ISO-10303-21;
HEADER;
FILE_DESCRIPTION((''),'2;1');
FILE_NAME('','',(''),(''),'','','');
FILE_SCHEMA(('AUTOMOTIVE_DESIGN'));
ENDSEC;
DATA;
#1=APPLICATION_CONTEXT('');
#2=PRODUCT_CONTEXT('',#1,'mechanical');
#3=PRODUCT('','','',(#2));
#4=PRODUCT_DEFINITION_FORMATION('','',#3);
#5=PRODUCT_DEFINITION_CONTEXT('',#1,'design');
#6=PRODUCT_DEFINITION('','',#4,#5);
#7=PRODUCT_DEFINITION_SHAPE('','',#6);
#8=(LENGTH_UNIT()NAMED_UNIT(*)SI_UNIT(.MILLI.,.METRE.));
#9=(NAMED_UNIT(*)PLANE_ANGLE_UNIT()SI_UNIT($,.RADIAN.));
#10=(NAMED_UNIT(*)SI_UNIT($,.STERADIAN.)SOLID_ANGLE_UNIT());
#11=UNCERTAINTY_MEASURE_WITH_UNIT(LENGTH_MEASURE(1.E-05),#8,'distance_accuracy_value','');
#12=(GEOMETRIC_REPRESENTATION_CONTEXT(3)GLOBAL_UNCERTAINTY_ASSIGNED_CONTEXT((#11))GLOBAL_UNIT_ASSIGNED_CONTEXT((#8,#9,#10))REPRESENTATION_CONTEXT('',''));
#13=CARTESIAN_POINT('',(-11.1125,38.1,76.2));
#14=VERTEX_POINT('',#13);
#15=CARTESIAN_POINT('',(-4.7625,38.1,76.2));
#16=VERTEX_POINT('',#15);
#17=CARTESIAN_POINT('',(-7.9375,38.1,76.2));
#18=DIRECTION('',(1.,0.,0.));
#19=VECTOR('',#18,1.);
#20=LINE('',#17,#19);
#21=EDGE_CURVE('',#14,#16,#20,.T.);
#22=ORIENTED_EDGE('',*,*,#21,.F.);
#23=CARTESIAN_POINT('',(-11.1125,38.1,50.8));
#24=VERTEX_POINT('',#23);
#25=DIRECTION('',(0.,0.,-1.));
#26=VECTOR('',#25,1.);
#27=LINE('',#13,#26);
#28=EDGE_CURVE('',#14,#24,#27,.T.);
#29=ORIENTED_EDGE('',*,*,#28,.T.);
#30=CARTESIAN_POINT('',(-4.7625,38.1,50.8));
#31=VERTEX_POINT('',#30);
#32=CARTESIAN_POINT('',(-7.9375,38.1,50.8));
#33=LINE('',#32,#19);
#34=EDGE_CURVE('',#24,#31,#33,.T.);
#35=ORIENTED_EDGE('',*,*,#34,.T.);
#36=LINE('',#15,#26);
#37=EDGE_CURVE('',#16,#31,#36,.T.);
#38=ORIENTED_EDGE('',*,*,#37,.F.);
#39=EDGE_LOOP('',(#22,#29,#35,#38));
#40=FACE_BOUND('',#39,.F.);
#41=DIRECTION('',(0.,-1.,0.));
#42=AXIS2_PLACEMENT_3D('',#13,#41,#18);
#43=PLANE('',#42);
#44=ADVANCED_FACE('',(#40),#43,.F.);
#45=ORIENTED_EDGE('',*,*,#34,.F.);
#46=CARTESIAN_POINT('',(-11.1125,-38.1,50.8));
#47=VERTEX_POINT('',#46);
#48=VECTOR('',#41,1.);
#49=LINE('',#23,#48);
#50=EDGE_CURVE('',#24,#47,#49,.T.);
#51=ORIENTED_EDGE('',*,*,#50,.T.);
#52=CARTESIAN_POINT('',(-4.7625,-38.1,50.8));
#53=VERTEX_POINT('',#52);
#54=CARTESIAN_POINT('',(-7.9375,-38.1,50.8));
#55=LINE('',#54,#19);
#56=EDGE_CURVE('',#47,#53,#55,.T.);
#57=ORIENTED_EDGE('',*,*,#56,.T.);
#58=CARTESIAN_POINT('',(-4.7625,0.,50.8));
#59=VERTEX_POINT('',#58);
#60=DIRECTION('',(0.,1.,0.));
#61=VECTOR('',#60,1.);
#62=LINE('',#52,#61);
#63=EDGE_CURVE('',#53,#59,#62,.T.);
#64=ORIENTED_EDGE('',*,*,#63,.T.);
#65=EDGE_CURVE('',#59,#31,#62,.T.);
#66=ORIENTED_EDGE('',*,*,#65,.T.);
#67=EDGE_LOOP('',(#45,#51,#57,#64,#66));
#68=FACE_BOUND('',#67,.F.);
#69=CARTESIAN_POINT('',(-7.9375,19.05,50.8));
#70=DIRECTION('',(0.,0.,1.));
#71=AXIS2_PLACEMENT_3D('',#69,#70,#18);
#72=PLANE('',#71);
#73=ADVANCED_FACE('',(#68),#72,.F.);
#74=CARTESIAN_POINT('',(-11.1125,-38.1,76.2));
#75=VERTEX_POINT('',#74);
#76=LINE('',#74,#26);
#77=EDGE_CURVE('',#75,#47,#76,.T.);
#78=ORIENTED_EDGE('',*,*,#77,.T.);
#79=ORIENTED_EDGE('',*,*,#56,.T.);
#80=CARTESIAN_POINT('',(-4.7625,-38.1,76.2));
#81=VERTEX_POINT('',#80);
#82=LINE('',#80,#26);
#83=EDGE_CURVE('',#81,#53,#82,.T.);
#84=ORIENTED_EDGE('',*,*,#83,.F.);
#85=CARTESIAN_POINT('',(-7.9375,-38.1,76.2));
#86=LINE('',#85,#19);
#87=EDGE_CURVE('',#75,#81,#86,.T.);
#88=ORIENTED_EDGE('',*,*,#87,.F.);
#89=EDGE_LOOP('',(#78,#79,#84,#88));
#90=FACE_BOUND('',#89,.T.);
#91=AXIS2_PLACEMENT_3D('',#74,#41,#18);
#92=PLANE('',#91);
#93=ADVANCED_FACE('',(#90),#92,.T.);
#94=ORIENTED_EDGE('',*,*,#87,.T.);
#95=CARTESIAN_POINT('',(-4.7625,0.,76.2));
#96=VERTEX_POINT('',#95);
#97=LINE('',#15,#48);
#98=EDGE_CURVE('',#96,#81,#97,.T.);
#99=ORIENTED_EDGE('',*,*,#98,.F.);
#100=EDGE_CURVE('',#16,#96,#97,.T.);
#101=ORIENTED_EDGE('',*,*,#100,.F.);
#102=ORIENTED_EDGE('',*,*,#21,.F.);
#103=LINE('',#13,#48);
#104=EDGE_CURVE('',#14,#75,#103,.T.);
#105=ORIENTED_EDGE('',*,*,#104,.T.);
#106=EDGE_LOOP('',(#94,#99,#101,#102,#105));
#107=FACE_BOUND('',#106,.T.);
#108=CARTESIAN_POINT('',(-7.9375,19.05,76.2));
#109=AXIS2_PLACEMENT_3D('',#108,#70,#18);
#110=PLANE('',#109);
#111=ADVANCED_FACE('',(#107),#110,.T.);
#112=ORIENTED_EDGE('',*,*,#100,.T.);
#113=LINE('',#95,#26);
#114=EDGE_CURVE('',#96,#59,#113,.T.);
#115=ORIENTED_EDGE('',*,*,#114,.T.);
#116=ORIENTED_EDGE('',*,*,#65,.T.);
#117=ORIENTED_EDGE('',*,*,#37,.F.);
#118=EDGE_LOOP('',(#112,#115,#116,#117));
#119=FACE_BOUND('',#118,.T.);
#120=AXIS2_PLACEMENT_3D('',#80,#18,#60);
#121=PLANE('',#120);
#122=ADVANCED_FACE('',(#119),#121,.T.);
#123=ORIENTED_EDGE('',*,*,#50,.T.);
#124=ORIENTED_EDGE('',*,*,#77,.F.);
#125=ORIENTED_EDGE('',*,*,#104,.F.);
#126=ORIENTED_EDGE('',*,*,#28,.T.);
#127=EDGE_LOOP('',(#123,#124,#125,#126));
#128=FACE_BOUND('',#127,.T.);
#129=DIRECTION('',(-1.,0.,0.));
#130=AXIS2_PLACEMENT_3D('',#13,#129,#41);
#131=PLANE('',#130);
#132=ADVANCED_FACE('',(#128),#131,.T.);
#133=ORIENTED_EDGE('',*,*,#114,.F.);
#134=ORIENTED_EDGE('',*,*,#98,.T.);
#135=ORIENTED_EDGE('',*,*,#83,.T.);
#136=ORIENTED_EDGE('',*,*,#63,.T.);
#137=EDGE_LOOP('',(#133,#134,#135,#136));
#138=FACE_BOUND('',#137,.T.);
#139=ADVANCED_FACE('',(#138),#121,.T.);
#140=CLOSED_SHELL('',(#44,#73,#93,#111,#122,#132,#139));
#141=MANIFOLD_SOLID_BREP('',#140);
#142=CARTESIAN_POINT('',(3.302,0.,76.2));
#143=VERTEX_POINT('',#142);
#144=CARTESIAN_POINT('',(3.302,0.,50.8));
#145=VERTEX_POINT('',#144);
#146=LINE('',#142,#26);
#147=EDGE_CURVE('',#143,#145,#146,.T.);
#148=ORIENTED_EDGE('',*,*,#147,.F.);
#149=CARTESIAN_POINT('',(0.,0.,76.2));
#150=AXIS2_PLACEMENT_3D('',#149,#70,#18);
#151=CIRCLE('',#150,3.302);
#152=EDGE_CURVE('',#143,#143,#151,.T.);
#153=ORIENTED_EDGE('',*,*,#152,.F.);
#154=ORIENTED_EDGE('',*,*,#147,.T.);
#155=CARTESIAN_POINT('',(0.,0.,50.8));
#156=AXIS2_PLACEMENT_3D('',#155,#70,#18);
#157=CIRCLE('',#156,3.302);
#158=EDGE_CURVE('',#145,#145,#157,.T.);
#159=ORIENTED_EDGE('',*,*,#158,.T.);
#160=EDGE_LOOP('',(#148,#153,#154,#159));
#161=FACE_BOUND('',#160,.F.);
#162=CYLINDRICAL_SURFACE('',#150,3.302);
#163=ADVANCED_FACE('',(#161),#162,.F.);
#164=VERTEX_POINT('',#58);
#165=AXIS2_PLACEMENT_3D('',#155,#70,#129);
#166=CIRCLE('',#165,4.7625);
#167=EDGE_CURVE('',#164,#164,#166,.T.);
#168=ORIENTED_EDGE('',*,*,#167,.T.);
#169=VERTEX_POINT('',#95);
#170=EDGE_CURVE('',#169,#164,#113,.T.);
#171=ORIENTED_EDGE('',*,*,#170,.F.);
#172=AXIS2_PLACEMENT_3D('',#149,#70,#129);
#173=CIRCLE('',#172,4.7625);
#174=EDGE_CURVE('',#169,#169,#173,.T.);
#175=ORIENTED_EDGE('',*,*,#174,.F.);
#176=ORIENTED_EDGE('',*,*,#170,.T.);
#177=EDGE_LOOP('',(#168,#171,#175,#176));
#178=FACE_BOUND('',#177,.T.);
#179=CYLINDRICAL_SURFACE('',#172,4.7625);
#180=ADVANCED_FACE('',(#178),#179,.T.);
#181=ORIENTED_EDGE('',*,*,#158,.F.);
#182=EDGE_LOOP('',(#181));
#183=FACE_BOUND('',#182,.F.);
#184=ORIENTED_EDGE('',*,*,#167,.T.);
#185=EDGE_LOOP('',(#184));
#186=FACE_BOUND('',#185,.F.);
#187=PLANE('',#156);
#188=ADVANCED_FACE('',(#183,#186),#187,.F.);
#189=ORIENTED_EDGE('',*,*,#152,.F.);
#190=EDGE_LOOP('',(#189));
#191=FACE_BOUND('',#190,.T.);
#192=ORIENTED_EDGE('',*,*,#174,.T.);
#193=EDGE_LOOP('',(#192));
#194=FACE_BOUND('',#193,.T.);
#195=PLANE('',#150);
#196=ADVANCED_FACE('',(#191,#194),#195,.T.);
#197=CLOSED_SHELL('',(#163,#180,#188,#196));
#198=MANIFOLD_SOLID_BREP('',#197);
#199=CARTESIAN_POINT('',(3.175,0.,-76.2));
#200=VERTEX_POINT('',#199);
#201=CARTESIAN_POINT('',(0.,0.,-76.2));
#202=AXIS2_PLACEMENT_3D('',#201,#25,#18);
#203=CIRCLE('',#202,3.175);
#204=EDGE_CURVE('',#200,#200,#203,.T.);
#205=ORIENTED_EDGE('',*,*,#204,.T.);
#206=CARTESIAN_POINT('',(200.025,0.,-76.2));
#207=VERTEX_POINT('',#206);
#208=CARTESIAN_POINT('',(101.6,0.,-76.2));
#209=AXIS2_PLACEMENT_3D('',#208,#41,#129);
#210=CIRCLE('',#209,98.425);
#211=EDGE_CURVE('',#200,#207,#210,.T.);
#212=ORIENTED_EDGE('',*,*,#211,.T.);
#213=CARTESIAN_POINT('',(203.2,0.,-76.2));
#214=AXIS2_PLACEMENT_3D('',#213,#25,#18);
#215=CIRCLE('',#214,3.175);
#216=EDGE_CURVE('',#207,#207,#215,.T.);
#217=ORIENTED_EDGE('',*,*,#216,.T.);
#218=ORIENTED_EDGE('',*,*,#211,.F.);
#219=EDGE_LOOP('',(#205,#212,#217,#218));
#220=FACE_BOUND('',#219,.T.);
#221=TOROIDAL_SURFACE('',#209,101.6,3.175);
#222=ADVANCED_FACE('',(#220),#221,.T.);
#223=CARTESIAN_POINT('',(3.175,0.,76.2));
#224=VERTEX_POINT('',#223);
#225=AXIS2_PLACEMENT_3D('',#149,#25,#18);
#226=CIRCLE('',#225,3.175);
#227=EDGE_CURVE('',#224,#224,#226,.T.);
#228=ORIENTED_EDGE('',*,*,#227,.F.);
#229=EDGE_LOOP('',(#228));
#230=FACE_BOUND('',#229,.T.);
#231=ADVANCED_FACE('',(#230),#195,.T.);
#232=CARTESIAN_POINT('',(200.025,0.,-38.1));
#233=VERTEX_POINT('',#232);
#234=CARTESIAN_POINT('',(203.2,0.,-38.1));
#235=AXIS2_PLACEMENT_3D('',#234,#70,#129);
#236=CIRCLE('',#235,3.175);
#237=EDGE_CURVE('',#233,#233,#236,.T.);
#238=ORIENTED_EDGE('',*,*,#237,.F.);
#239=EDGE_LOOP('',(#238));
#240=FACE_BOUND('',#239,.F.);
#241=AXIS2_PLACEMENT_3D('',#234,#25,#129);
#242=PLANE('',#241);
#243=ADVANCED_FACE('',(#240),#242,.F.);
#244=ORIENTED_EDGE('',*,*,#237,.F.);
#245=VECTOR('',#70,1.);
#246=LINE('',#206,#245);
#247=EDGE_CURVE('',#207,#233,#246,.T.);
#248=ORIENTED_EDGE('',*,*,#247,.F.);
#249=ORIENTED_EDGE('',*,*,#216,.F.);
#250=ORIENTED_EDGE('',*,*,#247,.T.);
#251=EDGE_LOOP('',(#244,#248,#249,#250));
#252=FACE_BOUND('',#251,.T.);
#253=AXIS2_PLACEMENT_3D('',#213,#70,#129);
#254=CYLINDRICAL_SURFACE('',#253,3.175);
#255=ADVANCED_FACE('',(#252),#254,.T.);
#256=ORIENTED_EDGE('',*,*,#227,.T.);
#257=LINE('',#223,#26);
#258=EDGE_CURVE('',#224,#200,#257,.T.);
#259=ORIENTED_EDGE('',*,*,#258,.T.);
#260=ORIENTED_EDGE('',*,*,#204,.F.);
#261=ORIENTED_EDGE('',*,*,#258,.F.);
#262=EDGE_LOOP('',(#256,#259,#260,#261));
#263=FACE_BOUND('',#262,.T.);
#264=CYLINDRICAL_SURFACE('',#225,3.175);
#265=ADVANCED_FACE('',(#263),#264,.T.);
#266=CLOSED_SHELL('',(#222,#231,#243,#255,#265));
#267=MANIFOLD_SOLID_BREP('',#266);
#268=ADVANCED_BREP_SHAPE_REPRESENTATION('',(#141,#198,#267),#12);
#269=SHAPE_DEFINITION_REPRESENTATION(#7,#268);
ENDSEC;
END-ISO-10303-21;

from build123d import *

# Parameters (mm, degrees)
F2_R     = 3.175
F4_W     = 6.35
F4_H     = 38.1
F4_R     = 3.302
F5_DEPTH = 25.4


with BuildPart() as f3:
    # F3: sweep along a path in F0
    with BuildLine(Plane.XZ) as f3_path:
        Line((0, 76.2), (0, -76.2))
        ThreePointArc((0, -76.2), (101.6, -177.8), (203.2, -76.2))
        Line((203.2, -76.2), (203.2, -38.1))
    # F2 (on plane+point) → F3 (sweep)
    with BuildSketch(Plane.XY.offset(76.2)):
        Circle(F2_R)
    sweep(path=f3_path.line)


with BuildPart() as f5:
    # F4 (on plane+point) → F5 (new body)
    with BuildSketch(Plane.XY.offset(76.2)):
        with Locations((-7.9375, 19.05)):
            Rectangle(F4_W, F4_H)
        with BuildLine():
            ThreePointArc((4.7625, 0), (0, 4.7625), (-4.7625, 0))
            ThreePointArc((-4.7625, 0), (0, -4.7625), (4.7625, 0))
        make_face()
        Circle(F4_R, mode=Mode.SUBTRACT)
        with Locations((-7.9375, -19.05)):
            Rectangle(F4_W, F4_H)
    extrude(amount=-F5_DEPTH)


solid = Compound([f3.part, f5.part])
